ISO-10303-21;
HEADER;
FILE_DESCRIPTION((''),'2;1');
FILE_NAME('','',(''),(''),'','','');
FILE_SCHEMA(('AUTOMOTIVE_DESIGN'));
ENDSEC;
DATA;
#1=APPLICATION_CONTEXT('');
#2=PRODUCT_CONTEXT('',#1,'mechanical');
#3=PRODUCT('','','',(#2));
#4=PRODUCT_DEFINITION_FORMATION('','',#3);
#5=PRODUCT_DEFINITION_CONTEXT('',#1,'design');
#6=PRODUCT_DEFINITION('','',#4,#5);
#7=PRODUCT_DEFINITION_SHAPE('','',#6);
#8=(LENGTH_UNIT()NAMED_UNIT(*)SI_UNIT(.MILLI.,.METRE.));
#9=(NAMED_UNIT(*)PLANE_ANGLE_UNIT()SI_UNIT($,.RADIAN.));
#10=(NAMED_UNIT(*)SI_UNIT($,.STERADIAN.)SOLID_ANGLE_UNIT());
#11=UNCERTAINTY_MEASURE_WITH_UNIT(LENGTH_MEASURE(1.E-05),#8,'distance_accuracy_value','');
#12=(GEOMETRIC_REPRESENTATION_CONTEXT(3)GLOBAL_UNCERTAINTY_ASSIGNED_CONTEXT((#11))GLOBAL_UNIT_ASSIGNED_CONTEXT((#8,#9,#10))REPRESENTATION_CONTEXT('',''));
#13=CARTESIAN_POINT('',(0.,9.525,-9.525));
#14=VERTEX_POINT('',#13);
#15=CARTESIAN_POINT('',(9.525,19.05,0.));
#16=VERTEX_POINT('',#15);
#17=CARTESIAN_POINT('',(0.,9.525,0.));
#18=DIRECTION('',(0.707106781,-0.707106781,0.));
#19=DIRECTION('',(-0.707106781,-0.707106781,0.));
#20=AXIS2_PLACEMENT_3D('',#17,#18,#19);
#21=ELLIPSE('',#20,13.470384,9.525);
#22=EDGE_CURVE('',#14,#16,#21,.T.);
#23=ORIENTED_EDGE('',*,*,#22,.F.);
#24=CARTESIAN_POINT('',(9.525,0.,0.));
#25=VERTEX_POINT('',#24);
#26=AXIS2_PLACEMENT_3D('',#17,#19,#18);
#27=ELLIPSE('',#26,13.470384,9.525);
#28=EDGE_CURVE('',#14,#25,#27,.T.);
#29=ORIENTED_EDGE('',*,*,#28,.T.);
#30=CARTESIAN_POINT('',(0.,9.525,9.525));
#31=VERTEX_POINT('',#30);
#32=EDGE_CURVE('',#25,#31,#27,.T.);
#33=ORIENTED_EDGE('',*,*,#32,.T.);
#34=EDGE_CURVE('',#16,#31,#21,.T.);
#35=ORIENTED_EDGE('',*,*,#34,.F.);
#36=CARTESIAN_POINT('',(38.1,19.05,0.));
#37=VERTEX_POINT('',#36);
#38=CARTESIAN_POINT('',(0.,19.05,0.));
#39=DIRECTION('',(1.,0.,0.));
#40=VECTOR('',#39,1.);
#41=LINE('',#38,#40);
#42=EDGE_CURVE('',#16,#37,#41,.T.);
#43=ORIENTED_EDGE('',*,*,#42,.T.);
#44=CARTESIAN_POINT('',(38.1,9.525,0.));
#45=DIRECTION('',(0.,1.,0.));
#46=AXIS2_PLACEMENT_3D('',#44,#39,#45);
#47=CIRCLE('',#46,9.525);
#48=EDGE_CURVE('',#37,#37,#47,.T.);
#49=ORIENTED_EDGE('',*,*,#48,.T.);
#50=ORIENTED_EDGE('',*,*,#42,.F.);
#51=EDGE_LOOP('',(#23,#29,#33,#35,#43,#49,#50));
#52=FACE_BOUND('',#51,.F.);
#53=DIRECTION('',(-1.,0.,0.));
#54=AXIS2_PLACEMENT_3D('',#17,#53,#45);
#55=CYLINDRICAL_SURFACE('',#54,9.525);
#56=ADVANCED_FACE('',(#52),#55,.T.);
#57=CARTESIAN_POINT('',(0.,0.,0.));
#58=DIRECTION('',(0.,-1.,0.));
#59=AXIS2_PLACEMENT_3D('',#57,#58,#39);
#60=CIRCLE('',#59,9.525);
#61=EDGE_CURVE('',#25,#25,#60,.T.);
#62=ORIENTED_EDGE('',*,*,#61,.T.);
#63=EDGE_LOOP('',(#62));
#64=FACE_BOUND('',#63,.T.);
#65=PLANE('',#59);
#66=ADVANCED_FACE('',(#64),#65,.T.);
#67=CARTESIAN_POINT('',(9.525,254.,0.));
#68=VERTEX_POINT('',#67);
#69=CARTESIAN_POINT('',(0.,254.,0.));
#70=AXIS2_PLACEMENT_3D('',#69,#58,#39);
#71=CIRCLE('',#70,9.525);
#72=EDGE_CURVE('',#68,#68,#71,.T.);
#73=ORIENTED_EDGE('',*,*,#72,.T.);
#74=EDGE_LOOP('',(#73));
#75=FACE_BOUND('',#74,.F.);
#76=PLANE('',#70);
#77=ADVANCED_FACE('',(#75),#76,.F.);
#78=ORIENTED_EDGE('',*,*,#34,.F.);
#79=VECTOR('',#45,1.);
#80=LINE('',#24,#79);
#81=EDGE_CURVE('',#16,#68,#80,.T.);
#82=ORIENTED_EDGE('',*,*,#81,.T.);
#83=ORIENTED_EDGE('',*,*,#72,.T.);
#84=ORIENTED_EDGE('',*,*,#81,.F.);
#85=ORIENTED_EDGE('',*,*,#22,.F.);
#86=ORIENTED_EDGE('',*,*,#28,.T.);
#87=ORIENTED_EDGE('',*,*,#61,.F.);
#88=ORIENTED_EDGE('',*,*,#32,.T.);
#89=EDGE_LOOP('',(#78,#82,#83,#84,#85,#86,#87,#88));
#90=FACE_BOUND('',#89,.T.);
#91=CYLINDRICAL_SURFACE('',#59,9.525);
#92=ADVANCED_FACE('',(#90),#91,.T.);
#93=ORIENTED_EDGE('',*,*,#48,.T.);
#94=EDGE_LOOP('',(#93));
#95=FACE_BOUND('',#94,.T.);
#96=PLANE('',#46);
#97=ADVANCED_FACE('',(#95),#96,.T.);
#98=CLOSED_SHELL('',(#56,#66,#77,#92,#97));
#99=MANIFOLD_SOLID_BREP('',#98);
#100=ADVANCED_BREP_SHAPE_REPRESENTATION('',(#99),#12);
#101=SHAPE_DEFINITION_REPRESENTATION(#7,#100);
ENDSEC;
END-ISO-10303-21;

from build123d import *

# Parameters (mm, degrees)
F0_R     = 9.525
F1_DEPTH = 254
F2_R     = 9.525
F3_DEPTH = 38.1


with BuildPart() as f1:
    # F0 (on Front) → F1 (new body)
    with BuildSketch(Plane.XZ):
        Circle(F0_R)
    extrude(amount=-F1_DEPTH)

    # F2 (on Right) → F3 (join)
    with BuildSketch(Plane.YZ):
        with Locations((9.525, 0)):
            Circle(F2_R)
    extrude(amount=F3_DEPTH)


solid = f1.part
